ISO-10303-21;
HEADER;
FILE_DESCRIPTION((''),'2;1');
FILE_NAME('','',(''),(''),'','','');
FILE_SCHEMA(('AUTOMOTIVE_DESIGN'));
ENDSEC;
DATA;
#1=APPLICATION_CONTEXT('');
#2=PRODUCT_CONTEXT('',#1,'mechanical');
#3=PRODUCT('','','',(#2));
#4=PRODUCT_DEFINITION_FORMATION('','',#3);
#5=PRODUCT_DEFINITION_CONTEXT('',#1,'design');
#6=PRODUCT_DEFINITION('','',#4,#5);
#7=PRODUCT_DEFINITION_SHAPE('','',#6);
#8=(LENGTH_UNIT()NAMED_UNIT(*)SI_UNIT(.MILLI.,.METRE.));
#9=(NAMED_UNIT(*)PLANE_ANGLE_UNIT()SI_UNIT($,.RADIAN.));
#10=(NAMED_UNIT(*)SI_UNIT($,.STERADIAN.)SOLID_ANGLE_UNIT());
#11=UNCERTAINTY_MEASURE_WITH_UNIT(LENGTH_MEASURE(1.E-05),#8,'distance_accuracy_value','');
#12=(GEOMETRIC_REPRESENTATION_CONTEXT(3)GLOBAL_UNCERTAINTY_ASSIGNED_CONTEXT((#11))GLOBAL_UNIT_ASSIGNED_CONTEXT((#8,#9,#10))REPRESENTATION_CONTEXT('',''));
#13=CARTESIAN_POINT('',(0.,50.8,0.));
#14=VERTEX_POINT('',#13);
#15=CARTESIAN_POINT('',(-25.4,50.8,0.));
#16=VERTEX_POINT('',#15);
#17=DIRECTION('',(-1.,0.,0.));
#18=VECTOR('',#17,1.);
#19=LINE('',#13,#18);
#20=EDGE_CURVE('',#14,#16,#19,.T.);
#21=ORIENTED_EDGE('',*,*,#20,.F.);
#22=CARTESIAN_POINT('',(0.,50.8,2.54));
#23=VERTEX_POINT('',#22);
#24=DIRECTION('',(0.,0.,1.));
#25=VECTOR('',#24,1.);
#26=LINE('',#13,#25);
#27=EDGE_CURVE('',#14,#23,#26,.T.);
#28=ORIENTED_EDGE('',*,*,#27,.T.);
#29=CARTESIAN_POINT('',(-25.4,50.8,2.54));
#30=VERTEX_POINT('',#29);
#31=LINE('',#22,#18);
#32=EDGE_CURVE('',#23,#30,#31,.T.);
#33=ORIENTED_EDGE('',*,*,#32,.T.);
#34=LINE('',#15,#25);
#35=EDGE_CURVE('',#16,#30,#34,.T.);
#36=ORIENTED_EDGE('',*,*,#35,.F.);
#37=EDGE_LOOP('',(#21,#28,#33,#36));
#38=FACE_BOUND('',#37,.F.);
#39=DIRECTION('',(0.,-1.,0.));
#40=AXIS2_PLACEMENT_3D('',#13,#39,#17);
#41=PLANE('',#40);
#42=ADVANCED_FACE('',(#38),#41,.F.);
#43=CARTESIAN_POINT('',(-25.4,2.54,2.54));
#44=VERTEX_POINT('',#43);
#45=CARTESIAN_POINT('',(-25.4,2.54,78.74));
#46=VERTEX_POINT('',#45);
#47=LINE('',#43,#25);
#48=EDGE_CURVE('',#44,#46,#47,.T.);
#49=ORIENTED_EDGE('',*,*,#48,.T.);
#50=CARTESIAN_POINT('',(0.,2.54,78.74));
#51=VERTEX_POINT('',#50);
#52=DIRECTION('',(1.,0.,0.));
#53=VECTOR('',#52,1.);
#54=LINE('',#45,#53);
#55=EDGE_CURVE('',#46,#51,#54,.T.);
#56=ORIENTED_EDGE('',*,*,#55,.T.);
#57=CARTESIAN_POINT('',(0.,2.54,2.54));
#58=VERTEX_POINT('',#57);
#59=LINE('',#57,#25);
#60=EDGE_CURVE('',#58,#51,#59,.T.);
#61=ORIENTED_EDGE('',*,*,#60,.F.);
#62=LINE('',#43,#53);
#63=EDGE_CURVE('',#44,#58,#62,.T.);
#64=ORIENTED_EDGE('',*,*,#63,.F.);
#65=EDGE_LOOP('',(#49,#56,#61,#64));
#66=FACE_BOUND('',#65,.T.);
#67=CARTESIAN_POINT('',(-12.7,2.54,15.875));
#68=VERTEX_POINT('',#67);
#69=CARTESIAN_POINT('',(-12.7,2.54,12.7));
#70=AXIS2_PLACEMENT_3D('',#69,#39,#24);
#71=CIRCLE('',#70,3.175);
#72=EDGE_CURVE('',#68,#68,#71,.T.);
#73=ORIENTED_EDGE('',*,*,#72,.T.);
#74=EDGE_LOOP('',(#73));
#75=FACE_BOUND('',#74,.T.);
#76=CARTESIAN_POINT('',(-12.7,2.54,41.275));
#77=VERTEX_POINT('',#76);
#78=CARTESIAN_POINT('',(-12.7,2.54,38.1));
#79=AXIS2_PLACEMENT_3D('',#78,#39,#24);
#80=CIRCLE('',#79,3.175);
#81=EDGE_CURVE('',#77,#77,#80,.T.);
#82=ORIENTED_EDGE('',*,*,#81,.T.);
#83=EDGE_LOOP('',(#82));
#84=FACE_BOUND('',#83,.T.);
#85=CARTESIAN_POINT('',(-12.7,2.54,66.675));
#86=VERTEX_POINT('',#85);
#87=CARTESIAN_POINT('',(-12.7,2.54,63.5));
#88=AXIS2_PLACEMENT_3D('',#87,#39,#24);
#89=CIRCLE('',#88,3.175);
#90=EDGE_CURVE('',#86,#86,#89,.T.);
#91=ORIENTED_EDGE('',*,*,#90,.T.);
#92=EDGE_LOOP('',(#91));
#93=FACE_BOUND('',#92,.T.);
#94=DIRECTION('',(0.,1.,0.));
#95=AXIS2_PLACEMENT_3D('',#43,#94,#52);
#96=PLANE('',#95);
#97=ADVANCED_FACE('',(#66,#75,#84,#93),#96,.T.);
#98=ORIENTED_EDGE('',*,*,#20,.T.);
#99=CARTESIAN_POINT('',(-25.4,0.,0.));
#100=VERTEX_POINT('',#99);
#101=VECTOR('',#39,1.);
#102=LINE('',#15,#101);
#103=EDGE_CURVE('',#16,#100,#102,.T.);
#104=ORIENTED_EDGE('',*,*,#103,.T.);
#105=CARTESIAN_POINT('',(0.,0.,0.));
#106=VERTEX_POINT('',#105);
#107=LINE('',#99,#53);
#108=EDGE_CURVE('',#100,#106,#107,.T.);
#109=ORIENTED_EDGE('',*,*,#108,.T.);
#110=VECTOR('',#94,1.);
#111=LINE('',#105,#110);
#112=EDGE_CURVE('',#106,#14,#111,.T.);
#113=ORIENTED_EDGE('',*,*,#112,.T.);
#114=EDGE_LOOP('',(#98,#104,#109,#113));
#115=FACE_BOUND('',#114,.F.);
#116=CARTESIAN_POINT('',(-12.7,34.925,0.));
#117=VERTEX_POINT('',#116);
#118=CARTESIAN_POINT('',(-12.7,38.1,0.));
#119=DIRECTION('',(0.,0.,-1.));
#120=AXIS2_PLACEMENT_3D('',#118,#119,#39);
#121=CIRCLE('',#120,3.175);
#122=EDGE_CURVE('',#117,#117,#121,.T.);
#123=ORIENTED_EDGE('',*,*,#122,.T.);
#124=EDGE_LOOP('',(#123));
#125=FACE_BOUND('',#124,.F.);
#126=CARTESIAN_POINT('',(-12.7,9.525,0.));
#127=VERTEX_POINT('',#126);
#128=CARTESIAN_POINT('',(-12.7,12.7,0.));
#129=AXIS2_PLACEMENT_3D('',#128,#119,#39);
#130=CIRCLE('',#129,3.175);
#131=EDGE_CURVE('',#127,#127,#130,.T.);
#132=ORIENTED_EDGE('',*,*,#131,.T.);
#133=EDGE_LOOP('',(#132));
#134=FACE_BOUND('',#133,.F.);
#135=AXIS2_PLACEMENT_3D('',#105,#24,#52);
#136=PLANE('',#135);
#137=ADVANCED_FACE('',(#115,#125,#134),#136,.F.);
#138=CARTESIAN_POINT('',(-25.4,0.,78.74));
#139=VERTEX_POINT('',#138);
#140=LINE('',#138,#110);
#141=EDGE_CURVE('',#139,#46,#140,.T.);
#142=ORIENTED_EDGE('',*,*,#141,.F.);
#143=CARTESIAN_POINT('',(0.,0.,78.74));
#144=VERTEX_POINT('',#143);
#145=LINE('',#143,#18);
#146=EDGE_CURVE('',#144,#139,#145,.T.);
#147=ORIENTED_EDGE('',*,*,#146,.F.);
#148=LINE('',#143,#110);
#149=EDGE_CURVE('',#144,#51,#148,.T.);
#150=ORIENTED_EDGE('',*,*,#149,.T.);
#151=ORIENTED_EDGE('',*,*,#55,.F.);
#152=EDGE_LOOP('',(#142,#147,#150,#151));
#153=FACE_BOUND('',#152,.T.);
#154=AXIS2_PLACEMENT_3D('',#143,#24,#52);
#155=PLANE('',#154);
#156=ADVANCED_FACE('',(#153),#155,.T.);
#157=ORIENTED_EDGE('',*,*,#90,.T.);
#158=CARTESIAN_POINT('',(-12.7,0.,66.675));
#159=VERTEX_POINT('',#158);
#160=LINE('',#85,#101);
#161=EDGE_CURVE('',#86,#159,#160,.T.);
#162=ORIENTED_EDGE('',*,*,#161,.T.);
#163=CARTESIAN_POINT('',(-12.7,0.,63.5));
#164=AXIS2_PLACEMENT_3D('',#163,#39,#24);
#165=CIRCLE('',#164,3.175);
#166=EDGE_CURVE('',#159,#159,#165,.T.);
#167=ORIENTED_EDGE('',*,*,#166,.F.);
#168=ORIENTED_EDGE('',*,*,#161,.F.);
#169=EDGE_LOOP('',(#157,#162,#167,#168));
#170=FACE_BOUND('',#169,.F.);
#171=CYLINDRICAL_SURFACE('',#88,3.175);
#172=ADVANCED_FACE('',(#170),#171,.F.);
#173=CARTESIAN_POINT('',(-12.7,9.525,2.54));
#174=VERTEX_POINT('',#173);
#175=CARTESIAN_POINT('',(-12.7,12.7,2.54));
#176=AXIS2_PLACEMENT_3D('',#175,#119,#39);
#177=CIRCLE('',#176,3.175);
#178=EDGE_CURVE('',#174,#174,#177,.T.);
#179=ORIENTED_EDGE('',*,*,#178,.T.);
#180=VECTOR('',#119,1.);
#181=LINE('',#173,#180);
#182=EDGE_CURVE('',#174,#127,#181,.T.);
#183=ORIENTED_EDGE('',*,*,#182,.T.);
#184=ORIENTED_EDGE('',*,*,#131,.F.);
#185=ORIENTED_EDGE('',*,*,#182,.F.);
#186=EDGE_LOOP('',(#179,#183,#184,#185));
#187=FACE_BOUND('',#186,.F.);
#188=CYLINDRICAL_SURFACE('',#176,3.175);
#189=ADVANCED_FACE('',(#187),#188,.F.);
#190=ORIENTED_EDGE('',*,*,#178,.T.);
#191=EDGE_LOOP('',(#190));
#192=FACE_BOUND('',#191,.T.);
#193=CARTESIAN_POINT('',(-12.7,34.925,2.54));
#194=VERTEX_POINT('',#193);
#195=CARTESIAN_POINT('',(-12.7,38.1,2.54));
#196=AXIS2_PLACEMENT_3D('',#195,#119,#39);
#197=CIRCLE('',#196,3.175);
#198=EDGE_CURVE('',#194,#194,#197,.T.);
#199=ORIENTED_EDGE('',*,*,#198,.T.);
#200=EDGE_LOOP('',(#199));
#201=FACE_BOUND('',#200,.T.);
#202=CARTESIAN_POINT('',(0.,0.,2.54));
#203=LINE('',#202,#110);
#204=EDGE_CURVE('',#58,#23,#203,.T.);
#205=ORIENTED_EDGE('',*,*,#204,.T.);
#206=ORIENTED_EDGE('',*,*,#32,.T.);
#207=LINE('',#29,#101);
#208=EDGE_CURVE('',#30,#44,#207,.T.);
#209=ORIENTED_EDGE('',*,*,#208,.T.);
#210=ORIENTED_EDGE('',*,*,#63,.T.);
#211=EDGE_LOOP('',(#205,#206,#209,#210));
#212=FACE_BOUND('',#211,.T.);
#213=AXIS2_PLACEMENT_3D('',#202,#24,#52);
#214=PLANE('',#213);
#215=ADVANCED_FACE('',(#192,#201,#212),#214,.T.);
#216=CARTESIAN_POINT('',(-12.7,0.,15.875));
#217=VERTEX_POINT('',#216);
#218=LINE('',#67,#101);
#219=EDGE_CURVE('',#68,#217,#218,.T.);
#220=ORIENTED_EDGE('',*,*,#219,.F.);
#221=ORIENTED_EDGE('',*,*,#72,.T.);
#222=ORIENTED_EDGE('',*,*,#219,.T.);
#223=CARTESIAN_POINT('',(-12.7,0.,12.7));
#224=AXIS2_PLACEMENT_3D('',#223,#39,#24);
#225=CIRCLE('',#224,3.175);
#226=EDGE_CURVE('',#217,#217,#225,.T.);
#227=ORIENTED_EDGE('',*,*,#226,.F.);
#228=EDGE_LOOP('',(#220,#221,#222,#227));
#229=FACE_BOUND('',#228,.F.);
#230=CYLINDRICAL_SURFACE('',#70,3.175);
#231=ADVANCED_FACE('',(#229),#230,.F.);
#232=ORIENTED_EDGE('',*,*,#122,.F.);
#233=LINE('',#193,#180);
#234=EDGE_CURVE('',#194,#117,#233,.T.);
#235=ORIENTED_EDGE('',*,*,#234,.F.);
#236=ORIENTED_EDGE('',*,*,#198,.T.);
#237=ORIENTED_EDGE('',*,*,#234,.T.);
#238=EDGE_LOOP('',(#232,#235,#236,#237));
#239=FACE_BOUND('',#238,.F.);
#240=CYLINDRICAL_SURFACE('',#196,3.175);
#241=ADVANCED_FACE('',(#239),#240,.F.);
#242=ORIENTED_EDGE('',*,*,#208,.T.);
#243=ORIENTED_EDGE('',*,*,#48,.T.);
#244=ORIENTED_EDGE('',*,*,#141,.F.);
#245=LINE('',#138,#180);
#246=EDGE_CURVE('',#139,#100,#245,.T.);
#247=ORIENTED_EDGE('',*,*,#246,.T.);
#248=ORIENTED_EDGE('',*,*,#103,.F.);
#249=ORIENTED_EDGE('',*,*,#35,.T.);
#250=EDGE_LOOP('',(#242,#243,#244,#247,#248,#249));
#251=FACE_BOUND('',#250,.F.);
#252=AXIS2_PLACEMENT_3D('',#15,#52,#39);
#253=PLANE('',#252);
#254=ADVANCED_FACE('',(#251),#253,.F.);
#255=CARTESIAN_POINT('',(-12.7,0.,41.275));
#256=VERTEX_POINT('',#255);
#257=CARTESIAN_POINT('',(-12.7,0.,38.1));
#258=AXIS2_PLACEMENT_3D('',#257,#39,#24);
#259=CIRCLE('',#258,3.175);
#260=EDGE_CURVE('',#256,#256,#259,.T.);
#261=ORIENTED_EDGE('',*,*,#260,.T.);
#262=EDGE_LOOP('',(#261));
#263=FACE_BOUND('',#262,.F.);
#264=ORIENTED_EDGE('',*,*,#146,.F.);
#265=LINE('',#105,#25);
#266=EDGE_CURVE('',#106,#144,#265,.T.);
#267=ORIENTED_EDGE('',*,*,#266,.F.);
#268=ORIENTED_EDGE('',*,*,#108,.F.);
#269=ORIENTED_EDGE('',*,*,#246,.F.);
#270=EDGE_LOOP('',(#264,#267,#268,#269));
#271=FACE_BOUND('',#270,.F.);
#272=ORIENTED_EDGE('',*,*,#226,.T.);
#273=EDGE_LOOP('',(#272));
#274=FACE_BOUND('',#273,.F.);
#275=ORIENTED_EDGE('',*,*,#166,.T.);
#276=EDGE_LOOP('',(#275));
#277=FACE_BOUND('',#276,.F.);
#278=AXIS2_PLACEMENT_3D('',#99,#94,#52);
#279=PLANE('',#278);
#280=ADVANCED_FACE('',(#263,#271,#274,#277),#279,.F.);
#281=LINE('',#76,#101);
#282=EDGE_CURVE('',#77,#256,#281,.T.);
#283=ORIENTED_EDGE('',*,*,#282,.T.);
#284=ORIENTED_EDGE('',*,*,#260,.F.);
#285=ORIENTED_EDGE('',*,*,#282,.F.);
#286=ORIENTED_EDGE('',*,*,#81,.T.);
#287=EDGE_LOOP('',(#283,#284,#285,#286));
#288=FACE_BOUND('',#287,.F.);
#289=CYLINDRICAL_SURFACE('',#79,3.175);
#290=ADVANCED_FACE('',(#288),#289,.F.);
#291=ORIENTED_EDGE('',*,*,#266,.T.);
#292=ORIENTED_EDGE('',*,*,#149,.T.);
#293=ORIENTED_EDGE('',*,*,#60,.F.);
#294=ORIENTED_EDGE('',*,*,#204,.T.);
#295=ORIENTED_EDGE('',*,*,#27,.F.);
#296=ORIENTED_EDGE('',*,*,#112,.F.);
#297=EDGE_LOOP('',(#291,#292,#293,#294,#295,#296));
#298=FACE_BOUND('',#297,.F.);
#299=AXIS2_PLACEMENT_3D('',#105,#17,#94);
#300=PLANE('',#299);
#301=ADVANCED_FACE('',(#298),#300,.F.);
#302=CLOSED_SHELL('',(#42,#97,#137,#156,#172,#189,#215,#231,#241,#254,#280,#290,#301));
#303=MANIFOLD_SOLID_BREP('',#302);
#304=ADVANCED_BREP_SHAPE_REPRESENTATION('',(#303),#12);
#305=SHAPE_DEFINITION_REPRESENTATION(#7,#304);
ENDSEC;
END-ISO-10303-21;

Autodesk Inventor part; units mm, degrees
ref_plane "YZ Plane" through (0, 0, 0) normal (1, 0, 0) x (0, 1, 0)
ref_plane "XZ Plane" through (0, 0, 0) normal (0, 1, 0) x (-1, 0, 0)
ref_plane "XY Plane" through (0, 0, 0) normal (0, 0, 1) x (1, 0, 0)
sketch "Sketch1" plane through (0, 0, 0) normal (0, 0, 1) x (1, 0, 0)
  line L0 (0, 0) -> (0, 50.8)
  line L1 (0, 50.8) -> (-25.4, 50.8)
  line L2 (-25.4, 50.8) -> (-25.4, 0)
  line L3 (-25.4, 0) -> (0, 0)
  dimension "d0" = 50.8
  dimension "d2" = 25.4
extrude "Extrusion1" add sketch "Sketch1" along normal blind 2.54
sketch "Sketch2" plane through (0, 0, 2.54) normal (0, 0, 1) x (1, 0, 0)
  line L0 (-25.4, 0) -> (-25.4, 2.54)
  line L1 (-25.4, 50.8) -> (-25.4, 0) projected
  line L2 (-25.4, 2.54) -> (0, 2.54)
  line L3 (0, 0) -> (0, 50.8) projected
  line L4 (0, 0) -> (-25.4, 0)
  line L5 (-25.4, 0) -> (0, 0) projected
  dimension "d5" = 2.54
extrude "Extrusion2" add sketch "Sketch2" along normal blind 76.2
hole "Hole1" at (-12.7, 2.54, 12.7) direction (0, -1, 0) diameter 6.35 end through all
pattern_linear "Rectangular Pattern1" count 3 spacing 25.4 along (0, 0, 1) of "Hole1"
hole "Hole2" at (-12.7, 12.7, 2.54) direction (0, 0, -1) diameter 6.35 end through all
pattern_linear "Rectangular Pattern2" count 2 spacing 25.4 along (0, 1, 0) of "Hole2"
properties part number "L-Gusset"
